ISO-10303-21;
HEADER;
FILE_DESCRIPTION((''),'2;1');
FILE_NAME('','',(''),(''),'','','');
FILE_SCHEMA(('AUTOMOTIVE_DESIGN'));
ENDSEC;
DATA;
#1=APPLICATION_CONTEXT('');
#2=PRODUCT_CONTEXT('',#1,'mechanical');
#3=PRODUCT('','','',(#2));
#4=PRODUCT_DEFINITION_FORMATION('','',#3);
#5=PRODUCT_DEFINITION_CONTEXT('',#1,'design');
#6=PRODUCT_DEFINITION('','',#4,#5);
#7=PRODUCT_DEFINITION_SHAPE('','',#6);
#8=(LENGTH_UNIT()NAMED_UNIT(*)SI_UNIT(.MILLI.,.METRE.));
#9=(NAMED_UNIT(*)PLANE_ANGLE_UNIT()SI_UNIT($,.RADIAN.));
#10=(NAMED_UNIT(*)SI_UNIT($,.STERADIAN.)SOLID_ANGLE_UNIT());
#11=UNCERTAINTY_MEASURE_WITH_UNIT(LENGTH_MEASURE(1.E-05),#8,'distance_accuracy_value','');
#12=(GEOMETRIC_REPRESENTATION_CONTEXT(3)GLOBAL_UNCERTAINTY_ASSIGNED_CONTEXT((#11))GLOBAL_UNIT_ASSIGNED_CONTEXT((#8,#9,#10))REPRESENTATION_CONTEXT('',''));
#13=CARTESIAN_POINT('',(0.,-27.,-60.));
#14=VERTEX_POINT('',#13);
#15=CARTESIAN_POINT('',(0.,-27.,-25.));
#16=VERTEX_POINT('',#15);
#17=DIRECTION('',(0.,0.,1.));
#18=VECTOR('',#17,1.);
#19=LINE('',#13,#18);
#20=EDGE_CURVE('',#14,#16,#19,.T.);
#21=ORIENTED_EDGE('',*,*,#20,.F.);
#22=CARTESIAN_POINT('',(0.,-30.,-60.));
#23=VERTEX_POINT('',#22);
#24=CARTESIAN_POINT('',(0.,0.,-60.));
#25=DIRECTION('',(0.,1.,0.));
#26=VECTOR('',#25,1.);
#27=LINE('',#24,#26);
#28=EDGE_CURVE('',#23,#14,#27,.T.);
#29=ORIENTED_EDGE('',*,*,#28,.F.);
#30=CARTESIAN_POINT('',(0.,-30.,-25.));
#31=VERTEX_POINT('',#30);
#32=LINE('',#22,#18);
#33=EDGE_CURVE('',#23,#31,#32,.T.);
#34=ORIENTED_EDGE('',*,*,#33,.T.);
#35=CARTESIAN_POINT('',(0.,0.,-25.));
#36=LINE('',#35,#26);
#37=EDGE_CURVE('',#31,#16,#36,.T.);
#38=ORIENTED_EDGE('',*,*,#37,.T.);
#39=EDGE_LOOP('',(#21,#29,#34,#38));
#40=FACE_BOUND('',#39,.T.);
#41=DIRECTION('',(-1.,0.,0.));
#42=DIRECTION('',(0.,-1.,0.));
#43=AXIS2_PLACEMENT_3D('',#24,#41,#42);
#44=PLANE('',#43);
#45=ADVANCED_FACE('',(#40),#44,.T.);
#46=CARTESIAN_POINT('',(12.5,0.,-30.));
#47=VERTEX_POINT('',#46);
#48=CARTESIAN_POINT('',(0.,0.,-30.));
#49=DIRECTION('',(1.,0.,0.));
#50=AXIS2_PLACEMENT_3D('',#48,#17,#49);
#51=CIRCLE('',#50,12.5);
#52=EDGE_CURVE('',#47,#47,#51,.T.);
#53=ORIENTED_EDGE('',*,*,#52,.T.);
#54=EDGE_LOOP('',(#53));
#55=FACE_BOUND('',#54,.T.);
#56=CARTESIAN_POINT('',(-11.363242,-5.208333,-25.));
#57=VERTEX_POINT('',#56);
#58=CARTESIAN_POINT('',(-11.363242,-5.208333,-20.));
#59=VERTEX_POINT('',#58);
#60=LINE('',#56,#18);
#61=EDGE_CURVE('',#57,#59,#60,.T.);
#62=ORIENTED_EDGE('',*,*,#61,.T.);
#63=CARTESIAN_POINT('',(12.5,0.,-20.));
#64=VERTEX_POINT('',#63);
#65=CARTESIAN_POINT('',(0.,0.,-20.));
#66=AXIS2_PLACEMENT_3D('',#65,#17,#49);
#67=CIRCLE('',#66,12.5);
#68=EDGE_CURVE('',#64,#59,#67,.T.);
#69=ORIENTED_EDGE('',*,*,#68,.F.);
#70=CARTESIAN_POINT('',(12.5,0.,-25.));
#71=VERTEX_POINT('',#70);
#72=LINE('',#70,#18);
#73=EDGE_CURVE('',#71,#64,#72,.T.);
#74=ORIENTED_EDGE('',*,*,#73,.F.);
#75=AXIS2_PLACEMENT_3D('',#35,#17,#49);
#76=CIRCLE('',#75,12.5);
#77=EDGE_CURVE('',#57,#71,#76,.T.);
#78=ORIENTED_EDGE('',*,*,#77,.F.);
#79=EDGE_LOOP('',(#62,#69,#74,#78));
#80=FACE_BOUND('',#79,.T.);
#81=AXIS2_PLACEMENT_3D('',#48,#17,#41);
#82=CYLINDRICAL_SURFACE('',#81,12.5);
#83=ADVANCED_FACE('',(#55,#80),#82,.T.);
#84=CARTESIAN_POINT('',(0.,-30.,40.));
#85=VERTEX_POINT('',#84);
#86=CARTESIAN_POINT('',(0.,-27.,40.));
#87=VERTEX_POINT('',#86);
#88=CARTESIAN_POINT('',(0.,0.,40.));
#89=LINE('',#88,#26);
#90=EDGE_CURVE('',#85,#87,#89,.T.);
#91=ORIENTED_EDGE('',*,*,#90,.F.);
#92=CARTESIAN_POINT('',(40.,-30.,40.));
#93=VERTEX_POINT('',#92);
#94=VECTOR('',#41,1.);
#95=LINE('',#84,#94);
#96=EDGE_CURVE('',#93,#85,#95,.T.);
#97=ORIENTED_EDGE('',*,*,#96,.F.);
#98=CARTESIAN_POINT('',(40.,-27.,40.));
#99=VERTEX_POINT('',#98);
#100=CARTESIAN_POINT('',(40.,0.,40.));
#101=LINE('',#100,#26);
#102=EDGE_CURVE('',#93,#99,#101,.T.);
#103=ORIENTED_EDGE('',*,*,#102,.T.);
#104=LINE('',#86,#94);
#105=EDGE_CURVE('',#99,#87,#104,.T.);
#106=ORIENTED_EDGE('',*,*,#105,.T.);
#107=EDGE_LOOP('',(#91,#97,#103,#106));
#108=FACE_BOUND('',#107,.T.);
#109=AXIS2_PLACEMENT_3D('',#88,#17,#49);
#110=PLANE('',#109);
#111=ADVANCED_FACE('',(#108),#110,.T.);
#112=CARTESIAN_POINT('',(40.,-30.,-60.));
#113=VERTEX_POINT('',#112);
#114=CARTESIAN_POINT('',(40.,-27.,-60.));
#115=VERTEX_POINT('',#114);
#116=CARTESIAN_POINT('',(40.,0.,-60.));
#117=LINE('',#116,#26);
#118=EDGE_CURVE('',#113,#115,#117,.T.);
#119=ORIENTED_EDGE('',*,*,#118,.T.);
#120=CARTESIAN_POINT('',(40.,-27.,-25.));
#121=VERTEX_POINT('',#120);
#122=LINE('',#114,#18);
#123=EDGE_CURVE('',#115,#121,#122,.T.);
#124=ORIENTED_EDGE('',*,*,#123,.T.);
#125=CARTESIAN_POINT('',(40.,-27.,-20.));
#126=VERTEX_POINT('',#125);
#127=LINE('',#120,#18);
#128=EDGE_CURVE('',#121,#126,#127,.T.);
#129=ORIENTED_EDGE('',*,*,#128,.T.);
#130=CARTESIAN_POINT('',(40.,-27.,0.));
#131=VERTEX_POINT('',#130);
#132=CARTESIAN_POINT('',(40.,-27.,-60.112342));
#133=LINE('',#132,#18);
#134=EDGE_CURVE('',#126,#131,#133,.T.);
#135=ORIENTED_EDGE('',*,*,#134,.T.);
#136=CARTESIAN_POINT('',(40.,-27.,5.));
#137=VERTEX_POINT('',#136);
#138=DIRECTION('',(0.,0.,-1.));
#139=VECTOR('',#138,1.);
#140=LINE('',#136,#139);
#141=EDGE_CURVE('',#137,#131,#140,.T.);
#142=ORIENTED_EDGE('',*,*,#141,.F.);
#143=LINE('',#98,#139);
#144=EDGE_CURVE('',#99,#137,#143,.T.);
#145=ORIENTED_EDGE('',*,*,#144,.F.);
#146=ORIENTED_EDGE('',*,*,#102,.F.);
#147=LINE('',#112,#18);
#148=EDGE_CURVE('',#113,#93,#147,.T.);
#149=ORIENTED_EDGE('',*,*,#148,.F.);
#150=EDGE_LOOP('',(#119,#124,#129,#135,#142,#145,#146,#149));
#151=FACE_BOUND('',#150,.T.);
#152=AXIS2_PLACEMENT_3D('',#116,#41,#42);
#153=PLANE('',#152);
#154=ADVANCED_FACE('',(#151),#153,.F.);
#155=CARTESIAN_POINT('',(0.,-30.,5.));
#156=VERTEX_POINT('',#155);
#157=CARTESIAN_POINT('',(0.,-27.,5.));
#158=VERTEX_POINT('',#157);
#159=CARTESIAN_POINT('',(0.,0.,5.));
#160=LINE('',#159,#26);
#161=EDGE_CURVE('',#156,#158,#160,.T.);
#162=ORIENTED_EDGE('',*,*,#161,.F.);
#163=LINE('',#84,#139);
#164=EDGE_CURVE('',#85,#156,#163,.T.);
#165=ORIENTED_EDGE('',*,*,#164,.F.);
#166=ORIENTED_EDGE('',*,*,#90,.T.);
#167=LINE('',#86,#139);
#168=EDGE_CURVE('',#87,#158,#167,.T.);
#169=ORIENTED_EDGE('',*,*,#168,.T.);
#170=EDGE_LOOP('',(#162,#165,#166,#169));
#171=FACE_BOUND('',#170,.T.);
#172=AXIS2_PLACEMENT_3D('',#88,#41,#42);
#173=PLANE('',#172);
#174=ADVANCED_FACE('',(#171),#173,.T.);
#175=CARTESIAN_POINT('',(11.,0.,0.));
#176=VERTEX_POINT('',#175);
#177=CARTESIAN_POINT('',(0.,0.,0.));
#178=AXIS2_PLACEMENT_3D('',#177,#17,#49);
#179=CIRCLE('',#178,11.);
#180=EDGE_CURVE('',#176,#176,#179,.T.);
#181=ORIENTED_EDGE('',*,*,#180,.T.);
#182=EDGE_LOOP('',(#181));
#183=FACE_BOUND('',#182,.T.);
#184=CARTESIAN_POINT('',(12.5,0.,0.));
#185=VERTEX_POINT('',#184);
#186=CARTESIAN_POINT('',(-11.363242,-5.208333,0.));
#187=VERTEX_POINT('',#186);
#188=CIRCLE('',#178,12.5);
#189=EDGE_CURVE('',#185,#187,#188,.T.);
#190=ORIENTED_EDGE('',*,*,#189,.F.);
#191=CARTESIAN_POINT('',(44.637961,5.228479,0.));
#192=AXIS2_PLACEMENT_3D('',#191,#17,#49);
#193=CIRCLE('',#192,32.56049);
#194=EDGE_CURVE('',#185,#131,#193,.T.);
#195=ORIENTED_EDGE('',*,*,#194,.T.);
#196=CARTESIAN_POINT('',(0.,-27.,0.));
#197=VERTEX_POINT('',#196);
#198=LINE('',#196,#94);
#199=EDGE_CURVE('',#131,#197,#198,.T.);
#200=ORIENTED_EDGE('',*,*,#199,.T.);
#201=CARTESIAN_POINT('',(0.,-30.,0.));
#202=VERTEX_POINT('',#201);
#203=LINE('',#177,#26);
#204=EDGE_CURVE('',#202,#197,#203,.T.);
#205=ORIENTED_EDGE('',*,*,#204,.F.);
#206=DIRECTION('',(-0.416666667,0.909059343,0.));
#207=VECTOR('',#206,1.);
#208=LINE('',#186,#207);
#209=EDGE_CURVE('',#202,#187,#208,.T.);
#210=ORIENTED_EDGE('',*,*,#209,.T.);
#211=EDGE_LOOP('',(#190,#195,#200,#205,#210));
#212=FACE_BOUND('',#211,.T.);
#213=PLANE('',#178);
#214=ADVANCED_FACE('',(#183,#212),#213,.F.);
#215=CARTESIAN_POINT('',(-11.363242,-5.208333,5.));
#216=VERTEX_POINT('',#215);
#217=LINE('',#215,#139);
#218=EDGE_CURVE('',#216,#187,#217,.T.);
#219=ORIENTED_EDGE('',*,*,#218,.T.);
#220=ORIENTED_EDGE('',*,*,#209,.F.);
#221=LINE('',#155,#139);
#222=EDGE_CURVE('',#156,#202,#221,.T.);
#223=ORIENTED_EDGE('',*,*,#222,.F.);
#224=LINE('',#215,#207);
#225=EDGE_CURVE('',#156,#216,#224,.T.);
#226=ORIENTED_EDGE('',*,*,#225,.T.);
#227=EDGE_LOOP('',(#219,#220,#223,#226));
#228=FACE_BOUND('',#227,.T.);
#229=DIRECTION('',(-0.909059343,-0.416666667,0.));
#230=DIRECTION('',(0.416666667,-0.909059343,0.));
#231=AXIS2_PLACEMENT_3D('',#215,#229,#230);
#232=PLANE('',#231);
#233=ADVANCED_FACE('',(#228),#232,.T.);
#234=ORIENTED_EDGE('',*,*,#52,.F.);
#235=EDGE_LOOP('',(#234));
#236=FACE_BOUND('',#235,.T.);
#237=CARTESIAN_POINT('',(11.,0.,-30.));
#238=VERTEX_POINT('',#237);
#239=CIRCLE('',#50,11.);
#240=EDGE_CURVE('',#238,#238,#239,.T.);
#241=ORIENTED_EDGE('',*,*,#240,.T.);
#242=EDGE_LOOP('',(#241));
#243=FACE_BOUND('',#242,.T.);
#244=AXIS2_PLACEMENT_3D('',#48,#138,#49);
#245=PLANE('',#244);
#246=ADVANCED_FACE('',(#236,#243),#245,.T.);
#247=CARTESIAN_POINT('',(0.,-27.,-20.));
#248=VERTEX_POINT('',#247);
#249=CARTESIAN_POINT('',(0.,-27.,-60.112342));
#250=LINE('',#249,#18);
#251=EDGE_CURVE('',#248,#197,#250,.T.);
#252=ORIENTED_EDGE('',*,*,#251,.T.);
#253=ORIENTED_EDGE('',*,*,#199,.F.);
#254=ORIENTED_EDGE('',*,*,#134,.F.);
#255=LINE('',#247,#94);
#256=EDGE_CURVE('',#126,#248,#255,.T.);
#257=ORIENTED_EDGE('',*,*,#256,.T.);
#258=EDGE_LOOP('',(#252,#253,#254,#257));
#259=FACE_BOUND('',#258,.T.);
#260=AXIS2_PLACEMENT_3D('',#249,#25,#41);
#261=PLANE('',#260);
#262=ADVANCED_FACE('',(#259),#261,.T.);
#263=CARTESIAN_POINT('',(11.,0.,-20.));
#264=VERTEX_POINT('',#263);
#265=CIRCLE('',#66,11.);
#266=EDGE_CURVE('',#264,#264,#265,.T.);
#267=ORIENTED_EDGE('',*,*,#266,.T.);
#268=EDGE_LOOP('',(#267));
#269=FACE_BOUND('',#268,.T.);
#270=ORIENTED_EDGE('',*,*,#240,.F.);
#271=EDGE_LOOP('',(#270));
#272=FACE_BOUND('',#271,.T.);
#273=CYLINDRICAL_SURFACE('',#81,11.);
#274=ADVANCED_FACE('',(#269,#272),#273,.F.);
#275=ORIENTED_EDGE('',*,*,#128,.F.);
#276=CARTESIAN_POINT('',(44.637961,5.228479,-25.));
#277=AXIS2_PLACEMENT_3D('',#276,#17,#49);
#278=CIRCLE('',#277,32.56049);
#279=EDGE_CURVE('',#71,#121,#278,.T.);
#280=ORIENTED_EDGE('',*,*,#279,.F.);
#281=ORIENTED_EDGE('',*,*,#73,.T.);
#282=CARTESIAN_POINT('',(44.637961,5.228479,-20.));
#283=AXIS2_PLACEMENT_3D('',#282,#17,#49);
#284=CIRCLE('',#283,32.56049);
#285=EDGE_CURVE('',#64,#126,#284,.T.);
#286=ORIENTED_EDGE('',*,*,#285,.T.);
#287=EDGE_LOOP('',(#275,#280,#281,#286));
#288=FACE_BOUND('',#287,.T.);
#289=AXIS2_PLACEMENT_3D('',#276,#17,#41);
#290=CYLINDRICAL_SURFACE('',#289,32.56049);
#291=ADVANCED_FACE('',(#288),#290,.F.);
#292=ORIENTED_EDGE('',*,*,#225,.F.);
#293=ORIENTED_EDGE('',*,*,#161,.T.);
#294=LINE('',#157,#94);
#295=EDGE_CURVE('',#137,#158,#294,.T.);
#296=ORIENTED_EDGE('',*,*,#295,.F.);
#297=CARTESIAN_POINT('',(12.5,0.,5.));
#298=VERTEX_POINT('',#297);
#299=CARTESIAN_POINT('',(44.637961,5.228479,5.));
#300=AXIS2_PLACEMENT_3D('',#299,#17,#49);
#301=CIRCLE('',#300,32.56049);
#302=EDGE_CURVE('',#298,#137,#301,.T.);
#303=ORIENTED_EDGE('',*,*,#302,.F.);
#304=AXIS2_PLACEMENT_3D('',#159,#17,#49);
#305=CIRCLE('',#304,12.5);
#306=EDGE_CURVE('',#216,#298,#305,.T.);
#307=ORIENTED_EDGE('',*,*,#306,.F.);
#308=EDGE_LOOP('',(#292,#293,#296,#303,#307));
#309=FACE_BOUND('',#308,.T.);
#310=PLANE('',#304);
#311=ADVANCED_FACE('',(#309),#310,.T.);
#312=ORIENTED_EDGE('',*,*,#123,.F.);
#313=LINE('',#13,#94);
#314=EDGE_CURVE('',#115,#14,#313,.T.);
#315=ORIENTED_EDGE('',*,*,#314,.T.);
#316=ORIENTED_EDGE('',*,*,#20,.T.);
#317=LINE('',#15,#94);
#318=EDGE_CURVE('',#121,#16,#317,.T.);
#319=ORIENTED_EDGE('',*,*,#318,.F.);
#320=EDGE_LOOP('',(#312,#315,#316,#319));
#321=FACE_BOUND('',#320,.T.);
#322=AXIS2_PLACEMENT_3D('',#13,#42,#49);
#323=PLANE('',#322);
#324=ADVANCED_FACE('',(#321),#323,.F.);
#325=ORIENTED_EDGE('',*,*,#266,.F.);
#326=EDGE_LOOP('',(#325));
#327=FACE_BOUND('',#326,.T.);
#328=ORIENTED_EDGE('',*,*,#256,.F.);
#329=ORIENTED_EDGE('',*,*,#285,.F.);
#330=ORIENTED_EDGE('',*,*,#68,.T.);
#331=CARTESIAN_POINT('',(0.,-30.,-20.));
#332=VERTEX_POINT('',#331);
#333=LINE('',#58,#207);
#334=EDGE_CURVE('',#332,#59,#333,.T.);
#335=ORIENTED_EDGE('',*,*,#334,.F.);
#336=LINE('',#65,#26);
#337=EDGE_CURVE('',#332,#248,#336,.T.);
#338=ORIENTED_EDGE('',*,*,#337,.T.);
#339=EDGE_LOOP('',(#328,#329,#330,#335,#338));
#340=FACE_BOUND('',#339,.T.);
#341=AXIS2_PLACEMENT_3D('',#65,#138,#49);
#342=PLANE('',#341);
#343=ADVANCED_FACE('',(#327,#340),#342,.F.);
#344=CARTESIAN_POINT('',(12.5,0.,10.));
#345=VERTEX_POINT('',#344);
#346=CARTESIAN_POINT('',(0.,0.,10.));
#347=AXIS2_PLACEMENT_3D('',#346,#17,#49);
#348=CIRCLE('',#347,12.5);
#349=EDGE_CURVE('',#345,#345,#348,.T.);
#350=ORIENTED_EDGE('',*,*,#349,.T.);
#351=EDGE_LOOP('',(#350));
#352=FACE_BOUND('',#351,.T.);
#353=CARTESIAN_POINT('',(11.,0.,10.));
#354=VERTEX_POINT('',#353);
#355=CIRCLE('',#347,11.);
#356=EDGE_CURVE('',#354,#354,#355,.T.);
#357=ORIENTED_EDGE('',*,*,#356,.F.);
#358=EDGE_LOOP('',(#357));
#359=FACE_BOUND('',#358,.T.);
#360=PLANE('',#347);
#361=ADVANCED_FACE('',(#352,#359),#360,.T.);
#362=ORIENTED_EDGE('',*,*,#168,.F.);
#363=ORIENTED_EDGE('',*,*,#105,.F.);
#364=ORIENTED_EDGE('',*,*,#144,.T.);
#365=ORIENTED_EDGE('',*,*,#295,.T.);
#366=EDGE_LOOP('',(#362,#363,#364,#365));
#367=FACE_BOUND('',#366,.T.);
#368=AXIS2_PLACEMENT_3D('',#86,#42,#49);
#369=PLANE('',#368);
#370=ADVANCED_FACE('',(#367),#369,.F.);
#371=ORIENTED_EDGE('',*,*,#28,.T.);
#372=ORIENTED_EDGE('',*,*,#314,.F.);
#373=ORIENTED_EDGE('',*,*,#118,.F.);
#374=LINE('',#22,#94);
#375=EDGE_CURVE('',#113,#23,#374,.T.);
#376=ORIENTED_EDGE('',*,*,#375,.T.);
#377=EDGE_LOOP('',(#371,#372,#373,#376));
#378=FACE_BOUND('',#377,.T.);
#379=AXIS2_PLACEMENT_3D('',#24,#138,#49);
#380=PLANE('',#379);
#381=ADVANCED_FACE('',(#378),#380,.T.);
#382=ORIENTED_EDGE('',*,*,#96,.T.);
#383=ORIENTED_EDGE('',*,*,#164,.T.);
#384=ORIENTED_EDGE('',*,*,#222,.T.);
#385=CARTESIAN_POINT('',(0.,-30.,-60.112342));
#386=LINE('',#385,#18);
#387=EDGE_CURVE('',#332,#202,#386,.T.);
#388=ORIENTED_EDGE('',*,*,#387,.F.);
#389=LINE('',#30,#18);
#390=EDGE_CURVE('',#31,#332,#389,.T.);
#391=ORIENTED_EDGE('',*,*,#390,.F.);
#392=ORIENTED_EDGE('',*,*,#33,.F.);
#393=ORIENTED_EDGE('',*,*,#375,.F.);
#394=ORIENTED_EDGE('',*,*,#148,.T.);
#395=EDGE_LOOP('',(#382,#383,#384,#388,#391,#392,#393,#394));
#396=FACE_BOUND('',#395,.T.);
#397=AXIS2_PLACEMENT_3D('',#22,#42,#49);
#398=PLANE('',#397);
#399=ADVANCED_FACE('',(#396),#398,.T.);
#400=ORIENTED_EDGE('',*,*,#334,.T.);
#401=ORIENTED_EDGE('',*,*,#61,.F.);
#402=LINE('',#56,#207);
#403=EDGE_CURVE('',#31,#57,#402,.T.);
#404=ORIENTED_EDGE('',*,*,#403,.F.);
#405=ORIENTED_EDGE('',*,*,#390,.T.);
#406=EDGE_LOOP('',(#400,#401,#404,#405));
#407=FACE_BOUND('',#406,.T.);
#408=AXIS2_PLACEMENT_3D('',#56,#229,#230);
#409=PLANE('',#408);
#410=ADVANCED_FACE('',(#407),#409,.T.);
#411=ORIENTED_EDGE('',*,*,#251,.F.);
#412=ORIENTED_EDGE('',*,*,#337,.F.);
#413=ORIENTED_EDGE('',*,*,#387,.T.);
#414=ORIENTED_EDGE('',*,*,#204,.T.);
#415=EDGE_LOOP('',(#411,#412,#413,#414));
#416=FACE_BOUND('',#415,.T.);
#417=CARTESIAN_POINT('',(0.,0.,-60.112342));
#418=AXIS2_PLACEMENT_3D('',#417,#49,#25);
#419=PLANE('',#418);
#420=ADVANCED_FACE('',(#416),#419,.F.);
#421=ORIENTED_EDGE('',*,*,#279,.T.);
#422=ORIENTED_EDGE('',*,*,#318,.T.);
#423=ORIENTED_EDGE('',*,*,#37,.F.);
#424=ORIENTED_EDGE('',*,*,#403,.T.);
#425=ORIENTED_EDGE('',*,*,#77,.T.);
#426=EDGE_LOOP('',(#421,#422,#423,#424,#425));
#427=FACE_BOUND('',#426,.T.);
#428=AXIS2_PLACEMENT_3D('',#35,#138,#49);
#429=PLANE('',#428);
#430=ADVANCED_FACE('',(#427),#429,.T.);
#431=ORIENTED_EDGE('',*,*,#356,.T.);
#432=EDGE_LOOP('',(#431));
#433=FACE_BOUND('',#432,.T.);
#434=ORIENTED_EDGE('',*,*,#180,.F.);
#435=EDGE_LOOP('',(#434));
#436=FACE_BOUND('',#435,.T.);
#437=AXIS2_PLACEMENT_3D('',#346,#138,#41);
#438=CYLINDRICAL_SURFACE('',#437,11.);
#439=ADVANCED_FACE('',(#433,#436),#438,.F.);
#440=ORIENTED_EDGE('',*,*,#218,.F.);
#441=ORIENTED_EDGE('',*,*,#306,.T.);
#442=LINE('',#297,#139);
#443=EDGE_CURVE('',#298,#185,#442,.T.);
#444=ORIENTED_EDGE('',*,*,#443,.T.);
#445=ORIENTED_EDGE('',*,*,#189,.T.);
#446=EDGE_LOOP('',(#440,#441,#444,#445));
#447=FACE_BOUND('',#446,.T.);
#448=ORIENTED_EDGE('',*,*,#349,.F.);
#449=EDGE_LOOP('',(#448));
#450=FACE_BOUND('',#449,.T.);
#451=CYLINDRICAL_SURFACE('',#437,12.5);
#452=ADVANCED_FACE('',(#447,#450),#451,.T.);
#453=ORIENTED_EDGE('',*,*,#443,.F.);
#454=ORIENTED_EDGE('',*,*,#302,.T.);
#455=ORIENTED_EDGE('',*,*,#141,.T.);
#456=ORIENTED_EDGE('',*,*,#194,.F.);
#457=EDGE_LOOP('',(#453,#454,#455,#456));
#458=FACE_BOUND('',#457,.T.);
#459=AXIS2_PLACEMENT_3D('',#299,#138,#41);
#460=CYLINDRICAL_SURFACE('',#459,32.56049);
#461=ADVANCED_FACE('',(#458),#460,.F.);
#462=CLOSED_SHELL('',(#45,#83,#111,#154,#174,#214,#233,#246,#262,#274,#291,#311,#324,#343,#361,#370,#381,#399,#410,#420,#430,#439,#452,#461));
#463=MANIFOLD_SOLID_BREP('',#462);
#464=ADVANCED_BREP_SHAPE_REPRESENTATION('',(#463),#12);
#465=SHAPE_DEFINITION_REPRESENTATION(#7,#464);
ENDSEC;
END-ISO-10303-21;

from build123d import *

# Parameters (mm, degrees)
CROQUIS2_R              = 12.5
CROQUIS2_R_2            = 11
SALIENTE_EXTRUIR1_DEPTH = 10
SALIENTE_EXTRUIR2_DEPTH = 5
CROQUIS2_6_W            = 40
CROQUIS2_6_H            = 3
SALIENTE_EXTRUIR3_DEPTH = 40
CROQUIS2_7_W            = 40
CROQUIS2_7_H            = 3
SALIENTE_EXTRUIR4_DEPTH = 20


with BuildPart() as part:
    # Croquis2 → Saliente-Extruir1 (new body)
    with BuildSketch(Plane.XY):
        Circle(CROQUIS2_R)
        Circle(CROQUIS2_R_2, mode=Mode.SUBTRACT)
    extrude(amount=SALIENTE_EXTRUIR1_DEPTH)

    # Croquis2<4> → Saliente-Extruir2 (add)
    with BuildSketch(Plane.XY):
        with BuildLine():
            Line((-11.363241786, -5.208333333), (0, -30))
            Line((0, -30), (0, -27))
            Line((0, -27), (40, -27))
            ThreePointArc((40, -27), (21.826404492, -18.005513943), (12.5, 0))
            ThreePointArc((12.5, 0), (2.665471597, -12.212504295), (-11.363241786, -5.208333333))
        make_face()
    extrude(amount=SALIENTE_EXTRUIR2_DEPTH)

    # Croquis2<6> → Saliente-Extruir3 (add)
    with BuildSketch(Plane.XY):
        with Locations((20, -28.5)):
            Rectangle(CROQUIS2_6_W, CROQUIS2_6_H)
    extrude(amount=SALIENTE_EXTRUIR3_DEPTH)


with BuildPart() as body_2:
    # Simetría2: mirrored copy
    add(part.part.mirror(Plane(origin=(0, 0, -10), x_dir=(1, 0, 0), z_dir=(0, 0, -1))))


with BuildPart() as part_1:
    add(part.part)

    add(body_2.part)  # Saliente-Extruir4 merges body 2
    # Croquis2<7> → Saliente-Extruir4 (add)
    with BuildSketch(Plane.XY):
        with Locations((20, -28.5)):
            Rectangle(CROQUIS2_7_W, CROQUIS2_7_H)
    extrude(amount=-SALIENTE_EXTRUIR4_DEPTH)


solid = part_1.part
